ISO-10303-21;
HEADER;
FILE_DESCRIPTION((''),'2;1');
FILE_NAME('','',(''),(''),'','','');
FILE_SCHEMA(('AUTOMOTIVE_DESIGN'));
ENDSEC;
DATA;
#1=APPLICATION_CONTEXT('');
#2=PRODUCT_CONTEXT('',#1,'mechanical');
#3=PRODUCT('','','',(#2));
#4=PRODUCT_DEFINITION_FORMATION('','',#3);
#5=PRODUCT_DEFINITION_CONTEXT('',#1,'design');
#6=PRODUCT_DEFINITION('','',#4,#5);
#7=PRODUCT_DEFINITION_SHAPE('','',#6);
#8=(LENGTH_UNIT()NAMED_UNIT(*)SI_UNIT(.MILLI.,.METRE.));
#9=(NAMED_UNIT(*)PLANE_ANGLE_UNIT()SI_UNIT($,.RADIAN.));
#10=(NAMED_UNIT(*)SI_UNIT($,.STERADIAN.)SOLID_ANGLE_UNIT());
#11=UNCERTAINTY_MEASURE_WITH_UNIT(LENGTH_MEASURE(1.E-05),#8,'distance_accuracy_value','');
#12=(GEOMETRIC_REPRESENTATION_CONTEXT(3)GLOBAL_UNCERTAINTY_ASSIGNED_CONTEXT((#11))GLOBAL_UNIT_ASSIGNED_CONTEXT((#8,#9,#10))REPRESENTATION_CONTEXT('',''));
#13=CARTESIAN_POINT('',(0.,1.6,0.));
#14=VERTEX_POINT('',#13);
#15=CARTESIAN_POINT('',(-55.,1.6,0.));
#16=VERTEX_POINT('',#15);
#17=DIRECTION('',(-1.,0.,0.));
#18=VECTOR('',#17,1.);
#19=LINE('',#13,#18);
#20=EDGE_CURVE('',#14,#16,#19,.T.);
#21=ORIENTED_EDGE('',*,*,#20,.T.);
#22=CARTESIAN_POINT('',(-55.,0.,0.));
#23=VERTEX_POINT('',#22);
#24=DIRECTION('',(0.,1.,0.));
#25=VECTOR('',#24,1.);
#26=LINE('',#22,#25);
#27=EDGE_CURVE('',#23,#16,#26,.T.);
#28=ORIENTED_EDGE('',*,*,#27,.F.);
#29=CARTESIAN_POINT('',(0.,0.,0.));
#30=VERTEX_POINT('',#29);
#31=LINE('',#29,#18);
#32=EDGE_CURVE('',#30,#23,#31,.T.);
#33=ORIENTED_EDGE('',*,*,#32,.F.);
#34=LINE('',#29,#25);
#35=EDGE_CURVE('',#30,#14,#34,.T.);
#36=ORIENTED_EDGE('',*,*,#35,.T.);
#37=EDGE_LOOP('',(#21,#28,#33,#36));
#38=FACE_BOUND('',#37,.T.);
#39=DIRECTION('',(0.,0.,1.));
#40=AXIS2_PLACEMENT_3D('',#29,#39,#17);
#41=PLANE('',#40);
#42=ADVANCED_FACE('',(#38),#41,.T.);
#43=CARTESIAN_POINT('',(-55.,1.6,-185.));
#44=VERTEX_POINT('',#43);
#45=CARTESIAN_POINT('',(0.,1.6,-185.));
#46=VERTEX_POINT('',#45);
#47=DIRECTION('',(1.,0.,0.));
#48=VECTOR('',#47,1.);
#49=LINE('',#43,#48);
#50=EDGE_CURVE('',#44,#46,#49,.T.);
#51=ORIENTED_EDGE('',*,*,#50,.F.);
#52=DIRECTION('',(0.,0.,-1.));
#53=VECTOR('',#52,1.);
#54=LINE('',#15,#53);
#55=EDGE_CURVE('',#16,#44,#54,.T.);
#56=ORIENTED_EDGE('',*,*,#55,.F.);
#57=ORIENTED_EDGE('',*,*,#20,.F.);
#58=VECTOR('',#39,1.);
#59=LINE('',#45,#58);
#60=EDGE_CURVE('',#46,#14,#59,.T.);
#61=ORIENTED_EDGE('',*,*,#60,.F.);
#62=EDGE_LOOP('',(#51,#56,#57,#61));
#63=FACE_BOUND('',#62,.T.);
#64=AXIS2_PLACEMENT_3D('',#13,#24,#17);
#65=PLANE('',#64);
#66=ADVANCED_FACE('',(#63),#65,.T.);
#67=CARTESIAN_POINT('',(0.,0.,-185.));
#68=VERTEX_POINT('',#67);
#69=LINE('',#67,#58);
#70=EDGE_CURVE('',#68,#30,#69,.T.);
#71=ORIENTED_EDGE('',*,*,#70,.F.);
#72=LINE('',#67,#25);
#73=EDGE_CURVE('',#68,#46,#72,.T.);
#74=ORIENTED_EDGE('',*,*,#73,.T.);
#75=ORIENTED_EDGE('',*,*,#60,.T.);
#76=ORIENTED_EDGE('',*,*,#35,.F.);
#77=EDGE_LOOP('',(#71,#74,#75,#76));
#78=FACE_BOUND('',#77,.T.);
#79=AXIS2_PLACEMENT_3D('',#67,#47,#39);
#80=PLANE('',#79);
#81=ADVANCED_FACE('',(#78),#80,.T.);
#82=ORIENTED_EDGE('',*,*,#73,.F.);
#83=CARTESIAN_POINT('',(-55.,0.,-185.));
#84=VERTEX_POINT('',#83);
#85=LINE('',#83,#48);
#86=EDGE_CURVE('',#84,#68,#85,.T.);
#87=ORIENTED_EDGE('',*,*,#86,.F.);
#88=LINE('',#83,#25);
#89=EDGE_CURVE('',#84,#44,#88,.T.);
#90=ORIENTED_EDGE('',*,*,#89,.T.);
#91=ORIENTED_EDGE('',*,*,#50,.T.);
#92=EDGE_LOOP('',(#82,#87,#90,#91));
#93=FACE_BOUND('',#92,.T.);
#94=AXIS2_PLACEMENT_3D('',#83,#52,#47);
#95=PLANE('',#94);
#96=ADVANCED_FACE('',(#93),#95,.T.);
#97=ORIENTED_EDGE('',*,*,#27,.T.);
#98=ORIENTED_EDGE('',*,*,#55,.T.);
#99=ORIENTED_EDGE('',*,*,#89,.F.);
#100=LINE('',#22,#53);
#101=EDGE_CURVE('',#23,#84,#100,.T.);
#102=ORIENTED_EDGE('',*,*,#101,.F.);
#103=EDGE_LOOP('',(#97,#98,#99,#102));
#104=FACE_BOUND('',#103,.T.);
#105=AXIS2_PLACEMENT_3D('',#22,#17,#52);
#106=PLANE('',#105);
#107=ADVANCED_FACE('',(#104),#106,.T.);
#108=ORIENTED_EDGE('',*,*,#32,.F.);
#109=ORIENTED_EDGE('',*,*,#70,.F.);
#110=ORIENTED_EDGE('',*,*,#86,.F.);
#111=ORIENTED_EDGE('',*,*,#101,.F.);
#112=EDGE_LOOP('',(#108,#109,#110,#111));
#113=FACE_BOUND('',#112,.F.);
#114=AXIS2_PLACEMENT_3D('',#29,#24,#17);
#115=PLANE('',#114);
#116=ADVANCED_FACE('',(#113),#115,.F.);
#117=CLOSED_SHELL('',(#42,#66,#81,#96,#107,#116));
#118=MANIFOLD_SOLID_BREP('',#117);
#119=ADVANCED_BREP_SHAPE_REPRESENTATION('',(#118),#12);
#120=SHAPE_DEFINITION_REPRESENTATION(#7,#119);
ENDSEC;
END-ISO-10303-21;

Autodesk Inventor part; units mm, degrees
ref_plane "YZ Plane" through (0, 0, 0) normal (1, 0, 0) x (0, 1, 0)
ref_plane "XZ Plane" through (0, 0, 0) normal (0, 1, 0) x (-1, 0, 0)
ref_plane "XY Plane" through (0, 0, 0) normal (0, 0, 1) x (1, 0, 0)
sketch "Sketch1" plane through (0, 0, 0) normal (0, 1, 0) x (-1, 0, 0)
  line L0 (0, 0) -> (55, 0)
  line L1 (55, 0) -> (55, -185)
  line L2 (55, -185) -> (0, -185)
  line L3 (0, -185) -> (0, 0)
  dimension "d0" = 55
  dimension "d1" = 185
extrude "Extrusion1" add sketch "Sketch1" along normal blind 1.6
properties part number "top"
